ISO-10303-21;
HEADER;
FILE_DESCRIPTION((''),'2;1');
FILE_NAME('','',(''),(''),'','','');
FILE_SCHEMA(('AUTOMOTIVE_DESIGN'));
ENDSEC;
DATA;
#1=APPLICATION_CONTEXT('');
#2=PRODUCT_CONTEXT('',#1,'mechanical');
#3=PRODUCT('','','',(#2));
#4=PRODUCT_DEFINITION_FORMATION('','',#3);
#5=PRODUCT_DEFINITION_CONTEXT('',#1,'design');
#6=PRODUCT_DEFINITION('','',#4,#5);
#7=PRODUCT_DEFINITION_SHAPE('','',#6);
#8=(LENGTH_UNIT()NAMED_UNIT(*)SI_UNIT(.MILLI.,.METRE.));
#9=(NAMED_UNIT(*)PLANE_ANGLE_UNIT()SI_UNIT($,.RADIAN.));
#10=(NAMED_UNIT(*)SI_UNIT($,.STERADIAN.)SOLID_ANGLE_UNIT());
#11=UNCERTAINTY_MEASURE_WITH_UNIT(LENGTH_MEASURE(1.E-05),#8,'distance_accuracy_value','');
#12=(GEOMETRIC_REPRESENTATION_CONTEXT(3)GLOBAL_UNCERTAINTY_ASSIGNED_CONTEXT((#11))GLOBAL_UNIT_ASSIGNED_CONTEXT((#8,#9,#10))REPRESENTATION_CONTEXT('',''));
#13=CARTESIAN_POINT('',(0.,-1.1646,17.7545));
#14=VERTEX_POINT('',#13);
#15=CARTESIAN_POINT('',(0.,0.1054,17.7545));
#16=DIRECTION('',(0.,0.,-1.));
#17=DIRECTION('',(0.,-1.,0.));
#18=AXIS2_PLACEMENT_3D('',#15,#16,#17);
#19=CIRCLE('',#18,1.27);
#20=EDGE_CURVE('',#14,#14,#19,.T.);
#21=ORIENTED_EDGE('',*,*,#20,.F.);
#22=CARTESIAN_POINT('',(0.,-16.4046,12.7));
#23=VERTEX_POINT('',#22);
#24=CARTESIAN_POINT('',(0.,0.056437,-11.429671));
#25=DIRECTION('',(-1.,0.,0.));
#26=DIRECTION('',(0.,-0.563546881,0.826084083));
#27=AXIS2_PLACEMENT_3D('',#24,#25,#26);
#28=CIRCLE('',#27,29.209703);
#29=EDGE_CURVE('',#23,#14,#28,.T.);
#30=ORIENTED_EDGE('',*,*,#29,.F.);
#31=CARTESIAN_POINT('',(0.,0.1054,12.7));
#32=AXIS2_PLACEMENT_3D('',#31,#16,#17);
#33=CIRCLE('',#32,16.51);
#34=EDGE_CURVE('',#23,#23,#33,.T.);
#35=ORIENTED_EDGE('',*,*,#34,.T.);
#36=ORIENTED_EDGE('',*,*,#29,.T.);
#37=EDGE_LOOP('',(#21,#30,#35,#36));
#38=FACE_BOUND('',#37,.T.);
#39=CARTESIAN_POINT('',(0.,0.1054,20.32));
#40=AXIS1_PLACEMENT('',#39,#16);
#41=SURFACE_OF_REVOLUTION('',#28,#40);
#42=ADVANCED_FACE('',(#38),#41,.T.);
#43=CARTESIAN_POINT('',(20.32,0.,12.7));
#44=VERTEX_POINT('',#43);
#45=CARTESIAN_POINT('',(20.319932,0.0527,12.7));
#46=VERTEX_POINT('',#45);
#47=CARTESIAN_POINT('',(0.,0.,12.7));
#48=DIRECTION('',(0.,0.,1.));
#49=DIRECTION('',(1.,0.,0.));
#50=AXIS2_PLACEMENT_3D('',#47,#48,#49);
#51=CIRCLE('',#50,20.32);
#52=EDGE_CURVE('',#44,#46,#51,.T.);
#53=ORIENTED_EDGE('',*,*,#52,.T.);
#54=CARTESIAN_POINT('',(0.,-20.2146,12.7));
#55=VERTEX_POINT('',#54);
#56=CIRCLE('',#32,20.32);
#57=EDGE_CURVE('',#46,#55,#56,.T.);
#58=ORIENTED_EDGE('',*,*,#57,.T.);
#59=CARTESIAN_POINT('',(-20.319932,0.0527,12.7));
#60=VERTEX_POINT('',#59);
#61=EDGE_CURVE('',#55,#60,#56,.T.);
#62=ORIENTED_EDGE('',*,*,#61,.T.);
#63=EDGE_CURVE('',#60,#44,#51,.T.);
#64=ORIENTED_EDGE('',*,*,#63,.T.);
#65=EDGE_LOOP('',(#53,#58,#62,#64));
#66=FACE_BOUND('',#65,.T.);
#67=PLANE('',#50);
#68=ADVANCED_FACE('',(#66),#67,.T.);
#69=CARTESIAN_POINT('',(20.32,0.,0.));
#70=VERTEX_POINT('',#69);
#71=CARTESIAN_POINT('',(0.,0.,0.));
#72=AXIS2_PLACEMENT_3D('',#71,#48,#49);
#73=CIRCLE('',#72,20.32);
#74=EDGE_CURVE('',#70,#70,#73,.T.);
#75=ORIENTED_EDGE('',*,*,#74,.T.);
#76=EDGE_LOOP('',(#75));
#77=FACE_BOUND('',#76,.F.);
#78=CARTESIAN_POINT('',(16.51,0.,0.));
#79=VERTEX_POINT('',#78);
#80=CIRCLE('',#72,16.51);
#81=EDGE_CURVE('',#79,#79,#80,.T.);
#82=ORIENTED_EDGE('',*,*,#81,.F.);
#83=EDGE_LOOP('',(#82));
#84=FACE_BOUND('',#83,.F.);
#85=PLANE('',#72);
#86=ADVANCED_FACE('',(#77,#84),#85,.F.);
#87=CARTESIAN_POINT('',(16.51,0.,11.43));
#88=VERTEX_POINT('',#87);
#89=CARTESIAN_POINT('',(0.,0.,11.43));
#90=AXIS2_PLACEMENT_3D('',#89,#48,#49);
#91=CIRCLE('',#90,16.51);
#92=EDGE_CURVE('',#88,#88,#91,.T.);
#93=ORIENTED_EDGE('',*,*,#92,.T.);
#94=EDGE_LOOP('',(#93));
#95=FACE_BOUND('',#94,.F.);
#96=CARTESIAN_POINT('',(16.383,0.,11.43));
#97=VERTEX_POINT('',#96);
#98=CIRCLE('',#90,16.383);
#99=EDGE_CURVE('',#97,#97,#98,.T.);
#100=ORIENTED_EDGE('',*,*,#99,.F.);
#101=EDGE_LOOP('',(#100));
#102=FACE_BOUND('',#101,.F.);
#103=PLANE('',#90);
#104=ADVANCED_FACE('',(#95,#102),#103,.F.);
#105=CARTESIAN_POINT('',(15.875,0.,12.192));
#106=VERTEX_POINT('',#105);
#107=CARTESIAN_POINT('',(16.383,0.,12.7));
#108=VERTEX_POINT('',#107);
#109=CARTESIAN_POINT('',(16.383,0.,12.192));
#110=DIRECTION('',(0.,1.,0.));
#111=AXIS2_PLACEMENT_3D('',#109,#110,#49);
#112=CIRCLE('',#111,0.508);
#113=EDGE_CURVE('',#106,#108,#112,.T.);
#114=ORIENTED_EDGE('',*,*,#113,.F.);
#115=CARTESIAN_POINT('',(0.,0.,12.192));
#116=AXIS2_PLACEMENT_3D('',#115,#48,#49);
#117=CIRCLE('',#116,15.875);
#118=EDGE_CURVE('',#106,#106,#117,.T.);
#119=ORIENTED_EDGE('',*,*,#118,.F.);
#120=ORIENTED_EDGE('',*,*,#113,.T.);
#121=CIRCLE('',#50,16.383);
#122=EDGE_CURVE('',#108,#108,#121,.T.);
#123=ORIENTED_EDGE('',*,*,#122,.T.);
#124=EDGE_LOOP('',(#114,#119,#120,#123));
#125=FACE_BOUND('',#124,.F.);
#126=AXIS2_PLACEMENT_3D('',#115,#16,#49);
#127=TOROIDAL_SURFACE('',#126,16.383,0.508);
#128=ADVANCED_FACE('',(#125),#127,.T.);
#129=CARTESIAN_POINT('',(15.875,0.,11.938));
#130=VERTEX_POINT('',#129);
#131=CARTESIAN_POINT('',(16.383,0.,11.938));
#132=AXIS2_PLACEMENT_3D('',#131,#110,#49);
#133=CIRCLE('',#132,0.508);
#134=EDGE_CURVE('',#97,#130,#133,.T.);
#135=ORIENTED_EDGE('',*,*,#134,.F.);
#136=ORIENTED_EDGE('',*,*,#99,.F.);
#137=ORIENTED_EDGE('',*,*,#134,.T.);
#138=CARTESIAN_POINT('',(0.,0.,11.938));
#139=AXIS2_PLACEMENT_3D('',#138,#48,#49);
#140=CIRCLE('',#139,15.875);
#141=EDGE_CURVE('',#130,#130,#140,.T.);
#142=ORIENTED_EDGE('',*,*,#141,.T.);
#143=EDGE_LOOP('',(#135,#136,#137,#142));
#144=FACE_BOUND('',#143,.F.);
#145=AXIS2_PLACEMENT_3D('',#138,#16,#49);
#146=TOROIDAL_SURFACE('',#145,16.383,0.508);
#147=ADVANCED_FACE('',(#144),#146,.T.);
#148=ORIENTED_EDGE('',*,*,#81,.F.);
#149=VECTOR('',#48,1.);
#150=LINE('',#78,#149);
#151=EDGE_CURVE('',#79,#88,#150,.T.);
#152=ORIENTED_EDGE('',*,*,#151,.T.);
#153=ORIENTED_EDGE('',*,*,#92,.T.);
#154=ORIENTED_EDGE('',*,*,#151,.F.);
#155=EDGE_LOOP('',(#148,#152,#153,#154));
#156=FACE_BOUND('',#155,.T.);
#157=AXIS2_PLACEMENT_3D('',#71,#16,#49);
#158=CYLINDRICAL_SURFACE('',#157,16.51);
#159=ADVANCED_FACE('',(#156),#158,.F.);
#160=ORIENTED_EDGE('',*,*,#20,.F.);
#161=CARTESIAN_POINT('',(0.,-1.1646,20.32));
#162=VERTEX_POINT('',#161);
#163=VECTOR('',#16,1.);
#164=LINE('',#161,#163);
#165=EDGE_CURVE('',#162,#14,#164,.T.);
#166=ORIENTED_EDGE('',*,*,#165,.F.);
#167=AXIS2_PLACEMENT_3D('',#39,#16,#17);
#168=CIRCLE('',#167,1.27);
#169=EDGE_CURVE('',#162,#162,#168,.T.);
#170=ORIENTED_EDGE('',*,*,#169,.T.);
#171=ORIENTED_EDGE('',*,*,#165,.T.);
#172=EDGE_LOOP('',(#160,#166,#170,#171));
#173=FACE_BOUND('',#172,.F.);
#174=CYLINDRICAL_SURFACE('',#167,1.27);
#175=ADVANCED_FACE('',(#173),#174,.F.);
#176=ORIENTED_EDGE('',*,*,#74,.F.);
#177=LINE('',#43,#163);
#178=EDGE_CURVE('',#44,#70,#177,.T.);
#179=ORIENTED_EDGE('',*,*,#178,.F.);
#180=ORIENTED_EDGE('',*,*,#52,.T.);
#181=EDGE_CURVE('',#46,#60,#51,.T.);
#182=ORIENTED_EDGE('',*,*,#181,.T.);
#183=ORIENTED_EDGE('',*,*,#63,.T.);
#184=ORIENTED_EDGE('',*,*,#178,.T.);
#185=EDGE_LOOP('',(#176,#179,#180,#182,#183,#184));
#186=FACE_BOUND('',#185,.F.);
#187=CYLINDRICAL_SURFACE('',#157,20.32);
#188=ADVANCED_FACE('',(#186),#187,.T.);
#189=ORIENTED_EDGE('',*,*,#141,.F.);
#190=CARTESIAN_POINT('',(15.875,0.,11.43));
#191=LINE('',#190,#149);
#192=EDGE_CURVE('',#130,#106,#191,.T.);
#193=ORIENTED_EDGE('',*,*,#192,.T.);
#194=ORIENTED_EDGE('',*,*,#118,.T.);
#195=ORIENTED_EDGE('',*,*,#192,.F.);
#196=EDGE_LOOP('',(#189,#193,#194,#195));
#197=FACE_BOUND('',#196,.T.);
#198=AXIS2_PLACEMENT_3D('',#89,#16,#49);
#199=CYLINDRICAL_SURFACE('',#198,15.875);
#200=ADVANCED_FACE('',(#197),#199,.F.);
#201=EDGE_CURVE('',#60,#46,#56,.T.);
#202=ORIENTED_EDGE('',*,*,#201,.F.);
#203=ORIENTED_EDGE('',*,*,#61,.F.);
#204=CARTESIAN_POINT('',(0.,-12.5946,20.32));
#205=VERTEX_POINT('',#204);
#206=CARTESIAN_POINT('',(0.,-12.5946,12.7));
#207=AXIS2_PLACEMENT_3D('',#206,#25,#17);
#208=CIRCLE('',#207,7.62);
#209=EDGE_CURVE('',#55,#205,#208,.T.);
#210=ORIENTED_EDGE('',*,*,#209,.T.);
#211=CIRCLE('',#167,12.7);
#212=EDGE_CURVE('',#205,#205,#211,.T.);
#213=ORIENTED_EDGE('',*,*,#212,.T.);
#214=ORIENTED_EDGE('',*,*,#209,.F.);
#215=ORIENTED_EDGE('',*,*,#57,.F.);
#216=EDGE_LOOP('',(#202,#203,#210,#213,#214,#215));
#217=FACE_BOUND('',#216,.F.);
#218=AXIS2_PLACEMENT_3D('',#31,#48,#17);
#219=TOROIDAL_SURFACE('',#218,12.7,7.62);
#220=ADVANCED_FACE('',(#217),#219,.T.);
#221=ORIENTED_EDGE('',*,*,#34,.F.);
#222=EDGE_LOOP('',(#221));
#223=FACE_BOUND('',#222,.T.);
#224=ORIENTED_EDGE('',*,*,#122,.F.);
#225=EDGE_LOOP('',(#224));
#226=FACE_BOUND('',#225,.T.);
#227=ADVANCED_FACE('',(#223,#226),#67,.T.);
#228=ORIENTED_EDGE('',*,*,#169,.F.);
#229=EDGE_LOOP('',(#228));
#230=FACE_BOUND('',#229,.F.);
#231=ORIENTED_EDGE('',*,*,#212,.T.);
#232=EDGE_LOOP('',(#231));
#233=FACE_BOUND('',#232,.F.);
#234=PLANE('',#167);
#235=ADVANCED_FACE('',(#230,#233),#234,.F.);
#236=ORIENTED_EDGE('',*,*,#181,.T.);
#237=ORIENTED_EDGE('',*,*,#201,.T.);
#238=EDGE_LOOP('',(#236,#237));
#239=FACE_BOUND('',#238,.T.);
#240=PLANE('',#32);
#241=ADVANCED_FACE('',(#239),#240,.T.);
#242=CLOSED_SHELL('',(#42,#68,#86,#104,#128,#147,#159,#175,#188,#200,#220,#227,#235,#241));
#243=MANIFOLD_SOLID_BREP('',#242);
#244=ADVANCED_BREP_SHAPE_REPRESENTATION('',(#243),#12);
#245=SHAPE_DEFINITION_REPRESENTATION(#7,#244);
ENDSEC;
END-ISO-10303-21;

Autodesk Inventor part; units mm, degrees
ref_plane "YZ Plane" through (0, 0, 0) normal (1, 0, 0) x (0, 1, 0)
sketch "Sketch1" plane through (0, 0, 0) normal (0, 0, 1) x (1, 0, 0)
  circle A0 centre (0, 0) radius 16.51
  circle A1 centre (0, 0) radius 20.32
  dimension "d0" = 40.64
  dimension "d2" = 33.02
extrude "Extrusion1" add sketch "Sketch1" along normal blind 11.43
sketch "Sketch2" plane through (0, 0, 11.43) normal (0, 0, 1) x (1, 0, 0)
  circle A0 centre (0, 0) radius 20.32 projected
  circle A1 centre (0, 0) radius 15.875
  dimension "d5" = 31.75
extrude "Extrusion2" add sketch "Sketch2" along normal blind 1.27
fillet "Fillet1" radius 0.508 1 edges at (-15.875, 0, 11.43)
fillet "Fillet2" radius 0.508 1 edges at (-15.875, 0, 12.7)
ref_plane "Work Plane1" through (0, 0, 6.35) normal (0, 0, 1) x (1, 0, 0)
sketch "Sketch3" plane through (0, 0, 6.35) normal (0, 0, 1) x (1, 0, 0)
  line L0 (-20.32, 19.1494) -> (-20.32, -22.3588)
  circle A0 centre (0, 0) radius 20.32 projected
  dimension "d11" = 20.32
sketch "Sketch4" plane through (0, 0, 12.7) normal (0, 0, 1) x (1, 0, 0)
  circle A0 centre (0, 0) radius 20.32 projected
  circle A1 centre (0, 0) radius 16.383 projected
ref_plane "Work Plane3" through (-20.32, 19.1494, 6.35) normal (-1, 0, 0) x (0, -1, 0)
ref_plane "Work Plane2" through (0, 0, 12.7) normal (0, 0, 1) x (1, 0, 0)
ref_plane "Work Plane4" through (0, 19.1494, 6.35) normal (-1, 0, 0) x (0, -1, 0)
sketch "Sketch6" plane through (0, 19.1494, 6.35) normal (-1, 0, 0) x (0, -1, 0)
  line L0 (39.364, 6.35) -> (35.554, 6.35)
  arc A0 (35.554, 6.35) -> (20.314, 11.4045) centre (19.0928, -17.78) ccw
  line L1 (39.364, 6.35) -> (39.364, 6.35)
  line L2 (31.744, 13.97) -> (20.314, 13.97)
  line L3 (20.314, 13.97) -> (20.314, 11.4045)
  arc A1 (39.364, 6.35) -> (31.744, 13.97) centre (31.744, 6.35) ccw
  line L4 (39.4694, 6.35) -> (-1.1706, 6.35) projected
  line L5 (19.044, 13.97) -> (19.044, 8.477)
  point P0 (19.1494, -6.35)
  point P1 (19.044, 5.9584)
  point P2 (19.044, 27.5056)
  point P3 (19.044, 11.43)
  point P4 (39.364, 13.97)
  dimension "d24" = 3.81
  dimension "d25" = 20.32
  dimension "d26" = 5.08
  dimension "d27" = 29.21
  dimension "d28" = 7.62
  dimension "d29" = 7.62
  dimension "d30" = 0
revolve "Revolution1" add sketch "Sketch6" angle 360 about axis through (0, 0.1054, 20.32) along (0, 0, -1)
properties part number "Motor End Cap" material "PVC-Piping"
